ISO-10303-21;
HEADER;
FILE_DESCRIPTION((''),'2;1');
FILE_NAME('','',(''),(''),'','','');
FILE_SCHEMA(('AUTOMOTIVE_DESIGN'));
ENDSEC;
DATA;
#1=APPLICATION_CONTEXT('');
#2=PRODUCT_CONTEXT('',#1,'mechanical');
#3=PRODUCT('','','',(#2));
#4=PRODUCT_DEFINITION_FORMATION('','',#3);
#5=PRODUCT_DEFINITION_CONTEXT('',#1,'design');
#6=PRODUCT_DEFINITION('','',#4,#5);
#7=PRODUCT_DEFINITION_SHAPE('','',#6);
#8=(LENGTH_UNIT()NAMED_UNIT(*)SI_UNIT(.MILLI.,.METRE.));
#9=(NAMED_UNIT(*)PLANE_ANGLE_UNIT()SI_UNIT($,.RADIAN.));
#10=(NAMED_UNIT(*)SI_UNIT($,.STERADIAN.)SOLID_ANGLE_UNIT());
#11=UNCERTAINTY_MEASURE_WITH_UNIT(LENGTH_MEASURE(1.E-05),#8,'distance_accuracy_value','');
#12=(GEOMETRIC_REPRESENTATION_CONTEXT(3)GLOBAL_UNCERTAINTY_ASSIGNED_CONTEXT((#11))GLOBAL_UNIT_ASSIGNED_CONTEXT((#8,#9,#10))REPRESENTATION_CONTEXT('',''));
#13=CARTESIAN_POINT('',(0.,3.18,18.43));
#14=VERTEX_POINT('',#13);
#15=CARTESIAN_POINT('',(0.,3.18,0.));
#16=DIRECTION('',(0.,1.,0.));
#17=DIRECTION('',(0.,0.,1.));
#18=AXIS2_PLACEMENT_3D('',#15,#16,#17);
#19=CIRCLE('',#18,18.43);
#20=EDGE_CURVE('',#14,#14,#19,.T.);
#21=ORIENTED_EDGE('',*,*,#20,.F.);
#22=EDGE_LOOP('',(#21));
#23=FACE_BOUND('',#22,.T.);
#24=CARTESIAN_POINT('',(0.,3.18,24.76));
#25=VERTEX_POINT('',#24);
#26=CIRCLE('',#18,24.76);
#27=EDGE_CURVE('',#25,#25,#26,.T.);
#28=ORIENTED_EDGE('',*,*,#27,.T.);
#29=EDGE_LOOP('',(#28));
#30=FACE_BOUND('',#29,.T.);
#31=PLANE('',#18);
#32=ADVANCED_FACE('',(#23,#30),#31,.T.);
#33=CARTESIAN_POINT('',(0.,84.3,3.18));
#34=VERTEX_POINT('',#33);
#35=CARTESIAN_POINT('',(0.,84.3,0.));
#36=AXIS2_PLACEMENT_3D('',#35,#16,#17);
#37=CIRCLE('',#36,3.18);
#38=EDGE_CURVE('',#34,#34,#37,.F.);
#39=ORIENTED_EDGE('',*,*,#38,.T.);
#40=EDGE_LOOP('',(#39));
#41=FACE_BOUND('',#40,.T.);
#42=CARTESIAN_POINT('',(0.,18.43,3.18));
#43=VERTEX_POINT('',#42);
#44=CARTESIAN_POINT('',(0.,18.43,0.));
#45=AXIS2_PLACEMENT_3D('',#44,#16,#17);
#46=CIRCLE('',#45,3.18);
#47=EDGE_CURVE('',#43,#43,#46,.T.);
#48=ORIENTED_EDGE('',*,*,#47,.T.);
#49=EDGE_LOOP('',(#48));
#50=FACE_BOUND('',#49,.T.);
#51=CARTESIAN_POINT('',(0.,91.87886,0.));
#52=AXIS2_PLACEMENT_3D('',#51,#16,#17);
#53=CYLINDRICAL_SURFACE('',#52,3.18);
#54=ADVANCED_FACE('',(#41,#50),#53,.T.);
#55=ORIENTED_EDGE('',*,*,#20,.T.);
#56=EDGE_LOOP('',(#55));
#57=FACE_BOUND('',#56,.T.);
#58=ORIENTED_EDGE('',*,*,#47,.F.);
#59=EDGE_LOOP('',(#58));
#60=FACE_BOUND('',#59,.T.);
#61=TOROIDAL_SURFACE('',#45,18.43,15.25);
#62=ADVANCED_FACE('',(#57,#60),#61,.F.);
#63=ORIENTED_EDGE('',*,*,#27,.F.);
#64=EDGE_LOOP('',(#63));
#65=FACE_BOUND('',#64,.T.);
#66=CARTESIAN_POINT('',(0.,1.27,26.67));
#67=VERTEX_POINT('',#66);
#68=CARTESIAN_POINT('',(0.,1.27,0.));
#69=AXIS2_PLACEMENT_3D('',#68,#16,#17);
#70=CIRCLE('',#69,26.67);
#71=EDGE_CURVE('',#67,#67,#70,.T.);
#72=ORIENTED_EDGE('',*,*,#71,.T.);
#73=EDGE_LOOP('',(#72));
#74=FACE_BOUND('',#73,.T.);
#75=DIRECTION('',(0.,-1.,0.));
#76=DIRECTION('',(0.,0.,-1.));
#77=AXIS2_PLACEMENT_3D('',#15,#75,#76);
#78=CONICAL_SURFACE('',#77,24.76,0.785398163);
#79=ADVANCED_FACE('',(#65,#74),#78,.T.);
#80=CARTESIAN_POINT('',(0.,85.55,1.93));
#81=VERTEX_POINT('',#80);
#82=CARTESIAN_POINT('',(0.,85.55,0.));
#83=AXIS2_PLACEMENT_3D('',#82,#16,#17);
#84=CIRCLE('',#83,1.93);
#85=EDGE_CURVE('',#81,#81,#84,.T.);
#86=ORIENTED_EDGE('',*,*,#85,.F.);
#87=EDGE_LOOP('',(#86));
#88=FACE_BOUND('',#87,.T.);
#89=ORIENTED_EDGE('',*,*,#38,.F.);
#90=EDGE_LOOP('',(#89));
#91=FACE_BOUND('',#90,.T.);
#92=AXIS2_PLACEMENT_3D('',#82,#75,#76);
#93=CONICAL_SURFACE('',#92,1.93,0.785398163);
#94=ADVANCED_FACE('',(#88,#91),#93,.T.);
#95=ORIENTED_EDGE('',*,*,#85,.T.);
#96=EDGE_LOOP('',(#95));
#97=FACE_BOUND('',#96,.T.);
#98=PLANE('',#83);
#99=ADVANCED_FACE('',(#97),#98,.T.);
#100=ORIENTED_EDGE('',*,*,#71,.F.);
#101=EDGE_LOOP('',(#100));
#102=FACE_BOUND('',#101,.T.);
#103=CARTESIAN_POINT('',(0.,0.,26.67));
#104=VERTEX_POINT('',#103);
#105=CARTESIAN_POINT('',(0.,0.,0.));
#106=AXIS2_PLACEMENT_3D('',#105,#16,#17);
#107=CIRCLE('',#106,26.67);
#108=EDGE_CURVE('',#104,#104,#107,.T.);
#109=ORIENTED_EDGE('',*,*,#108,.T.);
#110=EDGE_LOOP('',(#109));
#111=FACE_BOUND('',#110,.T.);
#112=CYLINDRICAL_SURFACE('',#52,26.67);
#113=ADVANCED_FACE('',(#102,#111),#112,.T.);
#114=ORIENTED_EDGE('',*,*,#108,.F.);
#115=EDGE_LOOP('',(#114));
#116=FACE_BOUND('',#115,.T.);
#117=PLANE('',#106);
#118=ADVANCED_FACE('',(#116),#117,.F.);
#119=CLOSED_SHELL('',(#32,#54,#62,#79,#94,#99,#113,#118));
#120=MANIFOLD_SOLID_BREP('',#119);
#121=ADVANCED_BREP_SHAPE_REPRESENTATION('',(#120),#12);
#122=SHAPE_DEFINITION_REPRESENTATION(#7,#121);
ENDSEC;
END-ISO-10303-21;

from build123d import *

# Parameters (mm, degrees)
SKETCH1_W     = 26.67
SKETCH1_H     = 1.27
CHAMFER1_SIZE = 1.25


with BuildPart() as part:
    # Sketch1 → Revolve1 (revolve)
    with BuildSketch(Plane.XY, mode=Mode.PRIVATE) as revolve1_sk:
        with Locations((13.335, 0.635)):
            Rectangle(SKETCH1_W, SKETCH1_H)
        with BuildLine():
            Line((3.18, 85.55), (0, 85.55))
            Line((0, 85.55), (0, 1.27))
            Line((0, 1.27), (26.67, 1.27))
            Line((26.67, 1.27), (24.76, 3.18))
            Line((24.76, 3.18), (18.43, 3.18))
            ThreePointArc((18.43, 3.18), (7.646621587, 7.646621587), (3.18, 18.43))
            Line((3.18, 18.43), (3.18, 85.55))
        make_face()
    revolve(revolve1_sk.sketch.rotate(Axis((0, 91.878860224, 0), (0, -1, 0)), 90), axis=Axis((0, 91.878860224, 0), (0, -1, 0)))

    # Chamfer1
    chamfer1_edges = [part.edges().sort_by_distance(p)[0] for p in [
        (0, 85.55, -3.18),
    ]]
    chamfer(chamfer1_edges, length=CHAMFER1_SIZE)


solid = part.part
